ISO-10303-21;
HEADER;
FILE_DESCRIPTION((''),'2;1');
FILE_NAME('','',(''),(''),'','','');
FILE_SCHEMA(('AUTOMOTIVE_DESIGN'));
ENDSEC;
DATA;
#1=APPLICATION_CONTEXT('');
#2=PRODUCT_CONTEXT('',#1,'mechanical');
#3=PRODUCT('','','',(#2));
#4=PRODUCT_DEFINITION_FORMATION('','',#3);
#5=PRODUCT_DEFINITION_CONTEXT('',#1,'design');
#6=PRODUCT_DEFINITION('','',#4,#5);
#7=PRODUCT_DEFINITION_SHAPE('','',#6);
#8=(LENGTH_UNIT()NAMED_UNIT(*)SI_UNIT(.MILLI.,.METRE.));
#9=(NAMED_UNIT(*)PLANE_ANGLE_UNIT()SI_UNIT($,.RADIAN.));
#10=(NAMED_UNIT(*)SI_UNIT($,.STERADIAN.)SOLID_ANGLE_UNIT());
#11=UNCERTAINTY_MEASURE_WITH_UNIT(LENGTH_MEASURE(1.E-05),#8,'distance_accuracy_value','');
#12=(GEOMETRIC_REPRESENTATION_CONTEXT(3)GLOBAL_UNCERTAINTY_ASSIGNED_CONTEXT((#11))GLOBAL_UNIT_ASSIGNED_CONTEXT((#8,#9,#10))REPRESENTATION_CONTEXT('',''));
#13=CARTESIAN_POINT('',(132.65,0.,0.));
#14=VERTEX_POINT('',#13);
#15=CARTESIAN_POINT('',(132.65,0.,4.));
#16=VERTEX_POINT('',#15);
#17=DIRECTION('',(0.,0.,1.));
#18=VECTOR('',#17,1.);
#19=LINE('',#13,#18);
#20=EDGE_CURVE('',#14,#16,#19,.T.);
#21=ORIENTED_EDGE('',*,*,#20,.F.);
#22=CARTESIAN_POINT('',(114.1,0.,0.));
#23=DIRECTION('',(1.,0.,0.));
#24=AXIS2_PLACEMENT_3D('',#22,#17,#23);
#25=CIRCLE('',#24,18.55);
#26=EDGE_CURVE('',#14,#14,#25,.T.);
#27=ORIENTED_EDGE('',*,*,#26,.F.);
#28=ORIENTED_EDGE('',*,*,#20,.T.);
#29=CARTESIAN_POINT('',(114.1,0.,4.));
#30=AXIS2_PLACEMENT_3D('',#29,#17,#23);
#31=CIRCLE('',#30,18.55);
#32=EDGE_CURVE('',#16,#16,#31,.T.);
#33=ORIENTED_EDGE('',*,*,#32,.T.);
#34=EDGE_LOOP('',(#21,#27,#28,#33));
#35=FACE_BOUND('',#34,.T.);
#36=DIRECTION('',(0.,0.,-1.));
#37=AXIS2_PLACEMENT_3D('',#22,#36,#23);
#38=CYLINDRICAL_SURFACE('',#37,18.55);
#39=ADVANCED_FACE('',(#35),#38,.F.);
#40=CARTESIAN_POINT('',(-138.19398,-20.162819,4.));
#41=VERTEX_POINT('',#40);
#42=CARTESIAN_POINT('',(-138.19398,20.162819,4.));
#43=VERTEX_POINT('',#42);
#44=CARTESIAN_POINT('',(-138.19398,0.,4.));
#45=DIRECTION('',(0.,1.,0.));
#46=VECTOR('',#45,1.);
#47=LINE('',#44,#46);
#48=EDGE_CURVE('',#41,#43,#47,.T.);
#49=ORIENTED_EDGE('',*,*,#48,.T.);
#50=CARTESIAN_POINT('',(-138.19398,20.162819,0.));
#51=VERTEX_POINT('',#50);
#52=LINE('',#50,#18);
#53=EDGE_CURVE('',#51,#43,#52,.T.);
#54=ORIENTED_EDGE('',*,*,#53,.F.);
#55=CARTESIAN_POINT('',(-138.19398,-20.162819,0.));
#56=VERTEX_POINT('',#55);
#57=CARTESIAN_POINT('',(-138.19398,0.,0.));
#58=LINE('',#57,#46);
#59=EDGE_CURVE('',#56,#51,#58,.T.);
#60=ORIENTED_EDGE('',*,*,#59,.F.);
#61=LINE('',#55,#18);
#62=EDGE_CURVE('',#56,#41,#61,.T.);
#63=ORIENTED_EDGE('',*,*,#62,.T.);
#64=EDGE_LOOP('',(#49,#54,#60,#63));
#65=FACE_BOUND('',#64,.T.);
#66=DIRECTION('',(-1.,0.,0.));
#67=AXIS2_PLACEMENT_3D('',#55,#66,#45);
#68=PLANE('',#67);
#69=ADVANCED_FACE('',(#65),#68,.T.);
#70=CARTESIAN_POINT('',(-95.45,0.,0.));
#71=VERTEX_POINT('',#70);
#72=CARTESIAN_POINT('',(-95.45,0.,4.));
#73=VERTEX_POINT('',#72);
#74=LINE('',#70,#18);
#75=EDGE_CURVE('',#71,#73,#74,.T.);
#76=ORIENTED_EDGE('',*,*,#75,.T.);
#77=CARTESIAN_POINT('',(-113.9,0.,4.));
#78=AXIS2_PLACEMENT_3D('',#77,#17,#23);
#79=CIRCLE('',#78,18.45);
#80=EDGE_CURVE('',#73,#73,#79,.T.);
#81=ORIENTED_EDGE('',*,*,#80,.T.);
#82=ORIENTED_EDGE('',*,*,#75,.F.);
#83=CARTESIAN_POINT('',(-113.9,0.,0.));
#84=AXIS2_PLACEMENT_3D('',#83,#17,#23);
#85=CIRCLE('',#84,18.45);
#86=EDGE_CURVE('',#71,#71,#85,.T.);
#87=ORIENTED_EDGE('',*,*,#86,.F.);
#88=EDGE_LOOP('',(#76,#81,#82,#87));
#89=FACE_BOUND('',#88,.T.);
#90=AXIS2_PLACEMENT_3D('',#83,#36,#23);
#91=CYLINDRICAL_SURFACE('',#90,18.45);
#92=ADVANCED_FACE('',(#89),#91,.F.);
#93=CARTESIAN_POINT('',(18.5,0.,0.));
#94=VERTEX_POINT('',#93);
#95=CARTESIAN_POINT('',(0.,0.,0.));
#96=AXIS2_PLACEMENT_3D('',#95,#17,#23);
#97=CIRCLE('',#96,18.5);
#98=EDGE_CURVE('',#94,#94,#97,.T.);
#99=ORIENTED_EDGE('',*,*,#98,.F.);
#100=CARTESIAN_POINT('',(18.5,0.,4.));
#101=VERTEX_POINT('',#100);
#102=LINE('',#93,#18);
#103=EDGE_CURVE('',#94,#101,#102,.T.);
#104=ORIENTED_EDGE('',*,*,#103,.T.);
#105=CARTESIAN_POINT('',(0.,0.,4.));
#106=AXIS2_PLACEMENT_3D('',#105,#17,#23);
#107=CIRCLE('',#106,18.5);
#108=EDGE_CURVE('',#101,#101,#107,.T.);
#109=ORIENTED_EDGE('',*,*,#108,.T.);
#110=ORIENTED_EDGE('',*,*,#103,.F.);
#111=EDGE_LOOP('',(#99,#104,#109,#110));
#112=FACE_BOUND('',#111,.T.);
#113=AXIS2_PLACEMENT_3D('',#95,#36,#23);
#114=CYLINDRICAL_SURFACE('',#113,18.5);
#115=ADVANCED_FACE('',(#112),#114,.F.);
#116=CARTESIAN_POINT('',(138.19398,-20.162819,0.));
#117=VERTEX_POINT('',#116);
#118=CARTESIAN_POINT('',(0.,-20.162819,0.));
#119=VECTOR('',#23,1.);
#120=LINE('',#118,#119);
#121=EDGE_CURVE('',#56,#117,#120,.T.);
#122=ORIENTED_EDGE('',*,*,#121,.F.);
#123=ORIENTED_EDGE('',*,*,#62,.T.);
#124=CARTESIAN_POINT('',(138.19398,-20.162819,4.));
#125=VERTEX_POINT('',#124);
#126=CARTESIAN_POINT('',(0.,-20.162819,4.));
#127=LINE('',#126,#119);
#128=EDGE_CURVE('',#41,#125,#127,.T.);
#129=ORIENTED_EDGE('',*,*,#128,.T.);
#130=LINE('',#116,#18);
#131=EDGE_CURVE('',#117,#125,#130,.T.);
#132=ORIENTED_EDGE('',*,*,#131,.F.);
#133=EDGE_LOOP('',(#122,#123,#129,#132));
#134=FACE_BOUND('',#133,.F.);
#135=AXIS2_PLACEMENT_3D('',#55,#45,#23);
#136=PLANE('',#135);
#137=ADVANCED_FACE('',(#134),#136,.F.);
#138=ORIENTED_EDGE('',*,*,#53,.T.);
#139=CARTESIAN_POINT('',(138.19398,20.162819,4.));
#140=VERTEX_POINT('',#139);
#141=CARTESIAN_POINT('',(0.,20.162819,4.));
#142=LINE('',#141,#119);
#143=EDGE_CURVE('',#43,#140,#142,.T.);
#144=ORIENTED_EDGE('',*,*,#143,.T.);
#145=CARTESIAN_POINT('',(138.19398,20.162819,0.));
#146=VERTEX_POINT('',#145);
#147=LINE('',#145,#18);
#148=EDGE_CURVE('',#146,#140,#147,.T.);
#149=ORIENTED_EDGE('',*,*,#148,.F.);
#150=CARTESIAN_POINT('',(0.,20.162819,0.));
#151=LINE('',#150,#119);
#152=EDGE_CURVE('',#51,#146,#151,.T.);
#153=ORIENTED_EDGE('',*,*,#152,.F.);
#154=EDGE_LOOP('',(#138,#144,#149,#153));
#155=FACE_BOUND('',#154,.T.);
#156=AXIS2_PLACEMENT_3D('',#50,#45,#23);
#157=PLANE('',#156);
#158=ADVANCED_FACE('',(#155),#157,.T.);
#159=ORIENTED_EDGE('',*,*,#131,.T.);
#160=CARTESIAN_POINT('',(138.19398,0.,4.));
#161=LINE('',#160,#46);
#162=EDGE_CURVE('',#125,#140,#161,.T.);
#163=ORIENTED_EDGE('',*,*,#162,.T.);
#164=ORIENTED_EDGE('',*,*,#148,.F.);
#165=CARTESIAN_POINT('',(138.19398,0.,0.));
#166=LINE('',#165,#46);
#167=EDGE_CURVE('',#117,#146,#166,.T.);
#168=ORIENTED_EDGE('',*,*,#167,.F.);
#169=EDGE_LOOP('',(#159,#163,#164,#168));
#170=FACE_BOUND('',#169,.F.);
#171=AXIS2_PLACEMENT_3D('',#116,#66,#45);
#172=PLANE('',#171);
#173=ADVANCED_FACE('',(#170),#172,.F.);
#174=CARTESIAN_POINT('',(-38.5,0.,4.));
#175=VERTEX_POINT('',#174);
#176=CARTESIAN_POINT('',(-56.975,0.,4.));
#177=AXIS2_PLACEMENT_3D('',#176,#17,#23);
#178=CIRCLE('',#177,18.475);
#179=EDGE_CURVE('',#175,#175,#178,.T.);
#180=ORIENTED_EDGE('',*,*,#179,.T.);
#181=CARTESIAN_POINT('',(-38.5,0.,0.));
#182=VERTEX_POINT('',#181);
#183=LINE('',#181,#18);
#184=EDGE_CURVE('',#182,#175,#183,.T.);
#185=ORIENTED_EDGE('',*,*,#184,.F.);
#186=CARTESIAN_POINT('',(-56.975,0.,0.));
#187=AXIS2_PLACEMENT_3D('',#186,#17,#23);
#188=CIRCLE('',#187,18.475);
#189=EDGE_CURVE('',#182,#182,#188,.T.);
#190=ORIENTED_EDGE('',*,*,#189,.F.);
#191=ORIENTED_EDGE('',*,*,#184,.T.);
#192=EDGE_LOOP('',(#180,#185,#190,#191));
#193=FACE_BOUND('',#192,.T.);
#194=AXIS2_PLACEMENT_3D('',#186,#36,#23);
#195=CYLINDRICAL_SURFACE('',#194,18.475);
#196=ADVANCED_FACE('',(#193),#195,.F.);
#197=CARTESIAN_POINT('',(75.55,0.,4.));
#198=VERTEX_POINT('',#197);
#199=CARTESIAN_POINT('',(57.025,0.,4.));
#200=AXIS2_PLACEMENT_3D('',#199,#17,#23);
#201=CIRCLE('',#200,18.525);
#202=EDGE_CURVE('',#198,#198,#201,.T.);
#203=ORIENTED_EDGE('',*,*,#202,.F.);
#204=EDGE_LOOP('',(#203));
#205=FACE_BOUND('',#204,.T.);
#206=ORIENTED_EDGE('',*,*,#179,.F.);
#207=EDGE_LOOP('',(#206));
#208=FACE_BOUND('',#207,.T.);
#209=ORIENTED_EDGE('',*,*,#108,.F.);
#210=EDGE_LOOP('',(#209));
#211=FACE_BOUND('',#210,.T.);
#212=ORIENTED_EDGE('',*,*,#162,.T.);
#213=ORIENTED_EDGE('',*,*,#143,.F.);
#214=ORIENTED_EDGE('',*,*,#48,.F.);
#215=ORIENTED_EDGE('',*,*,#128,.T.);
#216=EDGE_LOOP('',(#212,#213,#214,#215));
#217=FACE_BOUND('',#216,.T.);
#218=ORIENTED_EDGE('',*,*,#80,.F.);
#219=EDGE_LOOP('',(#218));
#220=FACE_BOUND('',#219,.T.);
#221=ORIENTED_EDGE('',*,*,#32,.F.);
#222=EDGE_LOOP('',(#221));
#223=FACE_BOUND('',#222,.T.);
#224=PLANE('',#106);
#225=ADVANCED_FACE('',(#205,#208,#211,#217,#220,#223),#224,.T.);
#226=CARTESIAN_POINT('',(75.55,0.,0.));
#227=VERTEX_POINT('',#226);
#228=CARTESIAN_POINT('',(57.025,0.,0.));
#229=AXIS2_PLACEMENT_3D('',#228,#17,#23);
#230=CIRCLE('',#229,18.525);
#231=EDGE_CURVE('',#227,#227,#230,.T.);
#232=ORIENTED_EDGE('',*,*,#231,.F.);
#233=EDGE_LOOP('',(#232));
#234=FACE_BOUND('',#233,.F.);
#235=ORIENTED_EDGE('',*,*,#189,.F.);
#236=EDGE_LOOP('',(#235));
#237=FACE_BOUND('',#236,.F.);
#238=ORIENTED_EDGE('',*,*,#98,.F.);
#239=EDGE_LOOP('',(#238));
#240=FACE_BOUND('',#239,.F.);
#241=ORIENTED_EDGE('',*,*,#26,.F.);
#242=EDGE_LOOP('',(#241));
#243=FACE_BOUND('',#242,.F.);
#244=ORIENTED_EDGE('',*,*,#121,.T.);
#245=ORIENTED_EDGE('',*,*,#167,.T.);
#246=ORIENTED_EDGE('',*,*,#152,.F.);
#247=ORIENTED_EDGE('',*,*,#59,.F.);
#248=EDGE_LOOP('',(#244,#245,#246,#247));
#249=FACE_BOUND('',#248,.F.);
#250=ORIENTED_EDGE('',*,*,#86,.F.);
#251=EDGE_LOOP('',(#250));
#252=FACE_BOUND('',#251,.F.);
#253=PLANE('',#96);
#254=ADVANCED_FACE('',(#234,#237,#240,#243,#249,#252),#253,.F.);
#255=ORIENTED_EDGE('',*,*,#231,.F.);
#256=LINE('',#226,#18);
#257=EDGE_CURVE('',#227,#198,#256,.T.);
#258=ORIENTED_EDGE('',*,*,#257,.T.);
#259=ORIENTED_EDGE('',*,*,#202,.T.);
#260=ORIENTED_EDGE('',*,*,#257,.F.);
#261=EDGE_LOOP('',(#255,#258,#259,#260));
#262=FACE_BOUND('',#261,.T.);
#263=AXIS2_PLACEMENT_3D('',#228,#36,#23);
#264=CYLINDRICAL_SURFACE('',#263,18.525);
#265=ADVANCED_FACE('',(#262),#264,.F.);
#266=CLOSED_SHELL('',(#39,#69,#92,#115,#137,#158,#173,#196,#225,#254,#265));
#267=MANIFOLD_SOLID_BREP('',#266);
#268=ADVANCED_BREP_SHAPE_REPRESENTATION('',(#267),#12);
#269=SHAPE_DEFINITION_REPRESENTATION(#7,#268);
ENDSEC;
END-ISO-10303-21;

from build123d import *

# Parameters (mm, degrees)
F0_W     = 276.38796
F0_H     = 40.325638
F0_R     = 18.45
F0_R_2   = 18.475
F0_R_3   = 18.5
F0_R_4   = 18.525
F0_R_5   = 18.55
F1_DEPTH = 4


with BuildPart() as f1:
    # F0 (on Top) → F1 (new body)
    with BuildSketch(Plane.XY):
        Rectangle(F0_W, F0_H)
        with Locations((-113.9, 0)):
            Circle(F0_R, mode=Mode.SUBTRACT)
        with Locations((-56.975, 0)):
            Circle(F0_R_2, mode=Mode.SUBTRACT)
        Circle(F0_R_3, mode=Mode.SUBTRACT)
        with Locations((57.025, 0)):
            Circle(F0_R_4, mode=Mode.SUBTRACT)
        with Locations((114.1, 0)):
            Circle(F0_R_5, mode=Mode.SUBTRACT)
    extrude(amount=F1_DEPTH)


solid = f1.part
